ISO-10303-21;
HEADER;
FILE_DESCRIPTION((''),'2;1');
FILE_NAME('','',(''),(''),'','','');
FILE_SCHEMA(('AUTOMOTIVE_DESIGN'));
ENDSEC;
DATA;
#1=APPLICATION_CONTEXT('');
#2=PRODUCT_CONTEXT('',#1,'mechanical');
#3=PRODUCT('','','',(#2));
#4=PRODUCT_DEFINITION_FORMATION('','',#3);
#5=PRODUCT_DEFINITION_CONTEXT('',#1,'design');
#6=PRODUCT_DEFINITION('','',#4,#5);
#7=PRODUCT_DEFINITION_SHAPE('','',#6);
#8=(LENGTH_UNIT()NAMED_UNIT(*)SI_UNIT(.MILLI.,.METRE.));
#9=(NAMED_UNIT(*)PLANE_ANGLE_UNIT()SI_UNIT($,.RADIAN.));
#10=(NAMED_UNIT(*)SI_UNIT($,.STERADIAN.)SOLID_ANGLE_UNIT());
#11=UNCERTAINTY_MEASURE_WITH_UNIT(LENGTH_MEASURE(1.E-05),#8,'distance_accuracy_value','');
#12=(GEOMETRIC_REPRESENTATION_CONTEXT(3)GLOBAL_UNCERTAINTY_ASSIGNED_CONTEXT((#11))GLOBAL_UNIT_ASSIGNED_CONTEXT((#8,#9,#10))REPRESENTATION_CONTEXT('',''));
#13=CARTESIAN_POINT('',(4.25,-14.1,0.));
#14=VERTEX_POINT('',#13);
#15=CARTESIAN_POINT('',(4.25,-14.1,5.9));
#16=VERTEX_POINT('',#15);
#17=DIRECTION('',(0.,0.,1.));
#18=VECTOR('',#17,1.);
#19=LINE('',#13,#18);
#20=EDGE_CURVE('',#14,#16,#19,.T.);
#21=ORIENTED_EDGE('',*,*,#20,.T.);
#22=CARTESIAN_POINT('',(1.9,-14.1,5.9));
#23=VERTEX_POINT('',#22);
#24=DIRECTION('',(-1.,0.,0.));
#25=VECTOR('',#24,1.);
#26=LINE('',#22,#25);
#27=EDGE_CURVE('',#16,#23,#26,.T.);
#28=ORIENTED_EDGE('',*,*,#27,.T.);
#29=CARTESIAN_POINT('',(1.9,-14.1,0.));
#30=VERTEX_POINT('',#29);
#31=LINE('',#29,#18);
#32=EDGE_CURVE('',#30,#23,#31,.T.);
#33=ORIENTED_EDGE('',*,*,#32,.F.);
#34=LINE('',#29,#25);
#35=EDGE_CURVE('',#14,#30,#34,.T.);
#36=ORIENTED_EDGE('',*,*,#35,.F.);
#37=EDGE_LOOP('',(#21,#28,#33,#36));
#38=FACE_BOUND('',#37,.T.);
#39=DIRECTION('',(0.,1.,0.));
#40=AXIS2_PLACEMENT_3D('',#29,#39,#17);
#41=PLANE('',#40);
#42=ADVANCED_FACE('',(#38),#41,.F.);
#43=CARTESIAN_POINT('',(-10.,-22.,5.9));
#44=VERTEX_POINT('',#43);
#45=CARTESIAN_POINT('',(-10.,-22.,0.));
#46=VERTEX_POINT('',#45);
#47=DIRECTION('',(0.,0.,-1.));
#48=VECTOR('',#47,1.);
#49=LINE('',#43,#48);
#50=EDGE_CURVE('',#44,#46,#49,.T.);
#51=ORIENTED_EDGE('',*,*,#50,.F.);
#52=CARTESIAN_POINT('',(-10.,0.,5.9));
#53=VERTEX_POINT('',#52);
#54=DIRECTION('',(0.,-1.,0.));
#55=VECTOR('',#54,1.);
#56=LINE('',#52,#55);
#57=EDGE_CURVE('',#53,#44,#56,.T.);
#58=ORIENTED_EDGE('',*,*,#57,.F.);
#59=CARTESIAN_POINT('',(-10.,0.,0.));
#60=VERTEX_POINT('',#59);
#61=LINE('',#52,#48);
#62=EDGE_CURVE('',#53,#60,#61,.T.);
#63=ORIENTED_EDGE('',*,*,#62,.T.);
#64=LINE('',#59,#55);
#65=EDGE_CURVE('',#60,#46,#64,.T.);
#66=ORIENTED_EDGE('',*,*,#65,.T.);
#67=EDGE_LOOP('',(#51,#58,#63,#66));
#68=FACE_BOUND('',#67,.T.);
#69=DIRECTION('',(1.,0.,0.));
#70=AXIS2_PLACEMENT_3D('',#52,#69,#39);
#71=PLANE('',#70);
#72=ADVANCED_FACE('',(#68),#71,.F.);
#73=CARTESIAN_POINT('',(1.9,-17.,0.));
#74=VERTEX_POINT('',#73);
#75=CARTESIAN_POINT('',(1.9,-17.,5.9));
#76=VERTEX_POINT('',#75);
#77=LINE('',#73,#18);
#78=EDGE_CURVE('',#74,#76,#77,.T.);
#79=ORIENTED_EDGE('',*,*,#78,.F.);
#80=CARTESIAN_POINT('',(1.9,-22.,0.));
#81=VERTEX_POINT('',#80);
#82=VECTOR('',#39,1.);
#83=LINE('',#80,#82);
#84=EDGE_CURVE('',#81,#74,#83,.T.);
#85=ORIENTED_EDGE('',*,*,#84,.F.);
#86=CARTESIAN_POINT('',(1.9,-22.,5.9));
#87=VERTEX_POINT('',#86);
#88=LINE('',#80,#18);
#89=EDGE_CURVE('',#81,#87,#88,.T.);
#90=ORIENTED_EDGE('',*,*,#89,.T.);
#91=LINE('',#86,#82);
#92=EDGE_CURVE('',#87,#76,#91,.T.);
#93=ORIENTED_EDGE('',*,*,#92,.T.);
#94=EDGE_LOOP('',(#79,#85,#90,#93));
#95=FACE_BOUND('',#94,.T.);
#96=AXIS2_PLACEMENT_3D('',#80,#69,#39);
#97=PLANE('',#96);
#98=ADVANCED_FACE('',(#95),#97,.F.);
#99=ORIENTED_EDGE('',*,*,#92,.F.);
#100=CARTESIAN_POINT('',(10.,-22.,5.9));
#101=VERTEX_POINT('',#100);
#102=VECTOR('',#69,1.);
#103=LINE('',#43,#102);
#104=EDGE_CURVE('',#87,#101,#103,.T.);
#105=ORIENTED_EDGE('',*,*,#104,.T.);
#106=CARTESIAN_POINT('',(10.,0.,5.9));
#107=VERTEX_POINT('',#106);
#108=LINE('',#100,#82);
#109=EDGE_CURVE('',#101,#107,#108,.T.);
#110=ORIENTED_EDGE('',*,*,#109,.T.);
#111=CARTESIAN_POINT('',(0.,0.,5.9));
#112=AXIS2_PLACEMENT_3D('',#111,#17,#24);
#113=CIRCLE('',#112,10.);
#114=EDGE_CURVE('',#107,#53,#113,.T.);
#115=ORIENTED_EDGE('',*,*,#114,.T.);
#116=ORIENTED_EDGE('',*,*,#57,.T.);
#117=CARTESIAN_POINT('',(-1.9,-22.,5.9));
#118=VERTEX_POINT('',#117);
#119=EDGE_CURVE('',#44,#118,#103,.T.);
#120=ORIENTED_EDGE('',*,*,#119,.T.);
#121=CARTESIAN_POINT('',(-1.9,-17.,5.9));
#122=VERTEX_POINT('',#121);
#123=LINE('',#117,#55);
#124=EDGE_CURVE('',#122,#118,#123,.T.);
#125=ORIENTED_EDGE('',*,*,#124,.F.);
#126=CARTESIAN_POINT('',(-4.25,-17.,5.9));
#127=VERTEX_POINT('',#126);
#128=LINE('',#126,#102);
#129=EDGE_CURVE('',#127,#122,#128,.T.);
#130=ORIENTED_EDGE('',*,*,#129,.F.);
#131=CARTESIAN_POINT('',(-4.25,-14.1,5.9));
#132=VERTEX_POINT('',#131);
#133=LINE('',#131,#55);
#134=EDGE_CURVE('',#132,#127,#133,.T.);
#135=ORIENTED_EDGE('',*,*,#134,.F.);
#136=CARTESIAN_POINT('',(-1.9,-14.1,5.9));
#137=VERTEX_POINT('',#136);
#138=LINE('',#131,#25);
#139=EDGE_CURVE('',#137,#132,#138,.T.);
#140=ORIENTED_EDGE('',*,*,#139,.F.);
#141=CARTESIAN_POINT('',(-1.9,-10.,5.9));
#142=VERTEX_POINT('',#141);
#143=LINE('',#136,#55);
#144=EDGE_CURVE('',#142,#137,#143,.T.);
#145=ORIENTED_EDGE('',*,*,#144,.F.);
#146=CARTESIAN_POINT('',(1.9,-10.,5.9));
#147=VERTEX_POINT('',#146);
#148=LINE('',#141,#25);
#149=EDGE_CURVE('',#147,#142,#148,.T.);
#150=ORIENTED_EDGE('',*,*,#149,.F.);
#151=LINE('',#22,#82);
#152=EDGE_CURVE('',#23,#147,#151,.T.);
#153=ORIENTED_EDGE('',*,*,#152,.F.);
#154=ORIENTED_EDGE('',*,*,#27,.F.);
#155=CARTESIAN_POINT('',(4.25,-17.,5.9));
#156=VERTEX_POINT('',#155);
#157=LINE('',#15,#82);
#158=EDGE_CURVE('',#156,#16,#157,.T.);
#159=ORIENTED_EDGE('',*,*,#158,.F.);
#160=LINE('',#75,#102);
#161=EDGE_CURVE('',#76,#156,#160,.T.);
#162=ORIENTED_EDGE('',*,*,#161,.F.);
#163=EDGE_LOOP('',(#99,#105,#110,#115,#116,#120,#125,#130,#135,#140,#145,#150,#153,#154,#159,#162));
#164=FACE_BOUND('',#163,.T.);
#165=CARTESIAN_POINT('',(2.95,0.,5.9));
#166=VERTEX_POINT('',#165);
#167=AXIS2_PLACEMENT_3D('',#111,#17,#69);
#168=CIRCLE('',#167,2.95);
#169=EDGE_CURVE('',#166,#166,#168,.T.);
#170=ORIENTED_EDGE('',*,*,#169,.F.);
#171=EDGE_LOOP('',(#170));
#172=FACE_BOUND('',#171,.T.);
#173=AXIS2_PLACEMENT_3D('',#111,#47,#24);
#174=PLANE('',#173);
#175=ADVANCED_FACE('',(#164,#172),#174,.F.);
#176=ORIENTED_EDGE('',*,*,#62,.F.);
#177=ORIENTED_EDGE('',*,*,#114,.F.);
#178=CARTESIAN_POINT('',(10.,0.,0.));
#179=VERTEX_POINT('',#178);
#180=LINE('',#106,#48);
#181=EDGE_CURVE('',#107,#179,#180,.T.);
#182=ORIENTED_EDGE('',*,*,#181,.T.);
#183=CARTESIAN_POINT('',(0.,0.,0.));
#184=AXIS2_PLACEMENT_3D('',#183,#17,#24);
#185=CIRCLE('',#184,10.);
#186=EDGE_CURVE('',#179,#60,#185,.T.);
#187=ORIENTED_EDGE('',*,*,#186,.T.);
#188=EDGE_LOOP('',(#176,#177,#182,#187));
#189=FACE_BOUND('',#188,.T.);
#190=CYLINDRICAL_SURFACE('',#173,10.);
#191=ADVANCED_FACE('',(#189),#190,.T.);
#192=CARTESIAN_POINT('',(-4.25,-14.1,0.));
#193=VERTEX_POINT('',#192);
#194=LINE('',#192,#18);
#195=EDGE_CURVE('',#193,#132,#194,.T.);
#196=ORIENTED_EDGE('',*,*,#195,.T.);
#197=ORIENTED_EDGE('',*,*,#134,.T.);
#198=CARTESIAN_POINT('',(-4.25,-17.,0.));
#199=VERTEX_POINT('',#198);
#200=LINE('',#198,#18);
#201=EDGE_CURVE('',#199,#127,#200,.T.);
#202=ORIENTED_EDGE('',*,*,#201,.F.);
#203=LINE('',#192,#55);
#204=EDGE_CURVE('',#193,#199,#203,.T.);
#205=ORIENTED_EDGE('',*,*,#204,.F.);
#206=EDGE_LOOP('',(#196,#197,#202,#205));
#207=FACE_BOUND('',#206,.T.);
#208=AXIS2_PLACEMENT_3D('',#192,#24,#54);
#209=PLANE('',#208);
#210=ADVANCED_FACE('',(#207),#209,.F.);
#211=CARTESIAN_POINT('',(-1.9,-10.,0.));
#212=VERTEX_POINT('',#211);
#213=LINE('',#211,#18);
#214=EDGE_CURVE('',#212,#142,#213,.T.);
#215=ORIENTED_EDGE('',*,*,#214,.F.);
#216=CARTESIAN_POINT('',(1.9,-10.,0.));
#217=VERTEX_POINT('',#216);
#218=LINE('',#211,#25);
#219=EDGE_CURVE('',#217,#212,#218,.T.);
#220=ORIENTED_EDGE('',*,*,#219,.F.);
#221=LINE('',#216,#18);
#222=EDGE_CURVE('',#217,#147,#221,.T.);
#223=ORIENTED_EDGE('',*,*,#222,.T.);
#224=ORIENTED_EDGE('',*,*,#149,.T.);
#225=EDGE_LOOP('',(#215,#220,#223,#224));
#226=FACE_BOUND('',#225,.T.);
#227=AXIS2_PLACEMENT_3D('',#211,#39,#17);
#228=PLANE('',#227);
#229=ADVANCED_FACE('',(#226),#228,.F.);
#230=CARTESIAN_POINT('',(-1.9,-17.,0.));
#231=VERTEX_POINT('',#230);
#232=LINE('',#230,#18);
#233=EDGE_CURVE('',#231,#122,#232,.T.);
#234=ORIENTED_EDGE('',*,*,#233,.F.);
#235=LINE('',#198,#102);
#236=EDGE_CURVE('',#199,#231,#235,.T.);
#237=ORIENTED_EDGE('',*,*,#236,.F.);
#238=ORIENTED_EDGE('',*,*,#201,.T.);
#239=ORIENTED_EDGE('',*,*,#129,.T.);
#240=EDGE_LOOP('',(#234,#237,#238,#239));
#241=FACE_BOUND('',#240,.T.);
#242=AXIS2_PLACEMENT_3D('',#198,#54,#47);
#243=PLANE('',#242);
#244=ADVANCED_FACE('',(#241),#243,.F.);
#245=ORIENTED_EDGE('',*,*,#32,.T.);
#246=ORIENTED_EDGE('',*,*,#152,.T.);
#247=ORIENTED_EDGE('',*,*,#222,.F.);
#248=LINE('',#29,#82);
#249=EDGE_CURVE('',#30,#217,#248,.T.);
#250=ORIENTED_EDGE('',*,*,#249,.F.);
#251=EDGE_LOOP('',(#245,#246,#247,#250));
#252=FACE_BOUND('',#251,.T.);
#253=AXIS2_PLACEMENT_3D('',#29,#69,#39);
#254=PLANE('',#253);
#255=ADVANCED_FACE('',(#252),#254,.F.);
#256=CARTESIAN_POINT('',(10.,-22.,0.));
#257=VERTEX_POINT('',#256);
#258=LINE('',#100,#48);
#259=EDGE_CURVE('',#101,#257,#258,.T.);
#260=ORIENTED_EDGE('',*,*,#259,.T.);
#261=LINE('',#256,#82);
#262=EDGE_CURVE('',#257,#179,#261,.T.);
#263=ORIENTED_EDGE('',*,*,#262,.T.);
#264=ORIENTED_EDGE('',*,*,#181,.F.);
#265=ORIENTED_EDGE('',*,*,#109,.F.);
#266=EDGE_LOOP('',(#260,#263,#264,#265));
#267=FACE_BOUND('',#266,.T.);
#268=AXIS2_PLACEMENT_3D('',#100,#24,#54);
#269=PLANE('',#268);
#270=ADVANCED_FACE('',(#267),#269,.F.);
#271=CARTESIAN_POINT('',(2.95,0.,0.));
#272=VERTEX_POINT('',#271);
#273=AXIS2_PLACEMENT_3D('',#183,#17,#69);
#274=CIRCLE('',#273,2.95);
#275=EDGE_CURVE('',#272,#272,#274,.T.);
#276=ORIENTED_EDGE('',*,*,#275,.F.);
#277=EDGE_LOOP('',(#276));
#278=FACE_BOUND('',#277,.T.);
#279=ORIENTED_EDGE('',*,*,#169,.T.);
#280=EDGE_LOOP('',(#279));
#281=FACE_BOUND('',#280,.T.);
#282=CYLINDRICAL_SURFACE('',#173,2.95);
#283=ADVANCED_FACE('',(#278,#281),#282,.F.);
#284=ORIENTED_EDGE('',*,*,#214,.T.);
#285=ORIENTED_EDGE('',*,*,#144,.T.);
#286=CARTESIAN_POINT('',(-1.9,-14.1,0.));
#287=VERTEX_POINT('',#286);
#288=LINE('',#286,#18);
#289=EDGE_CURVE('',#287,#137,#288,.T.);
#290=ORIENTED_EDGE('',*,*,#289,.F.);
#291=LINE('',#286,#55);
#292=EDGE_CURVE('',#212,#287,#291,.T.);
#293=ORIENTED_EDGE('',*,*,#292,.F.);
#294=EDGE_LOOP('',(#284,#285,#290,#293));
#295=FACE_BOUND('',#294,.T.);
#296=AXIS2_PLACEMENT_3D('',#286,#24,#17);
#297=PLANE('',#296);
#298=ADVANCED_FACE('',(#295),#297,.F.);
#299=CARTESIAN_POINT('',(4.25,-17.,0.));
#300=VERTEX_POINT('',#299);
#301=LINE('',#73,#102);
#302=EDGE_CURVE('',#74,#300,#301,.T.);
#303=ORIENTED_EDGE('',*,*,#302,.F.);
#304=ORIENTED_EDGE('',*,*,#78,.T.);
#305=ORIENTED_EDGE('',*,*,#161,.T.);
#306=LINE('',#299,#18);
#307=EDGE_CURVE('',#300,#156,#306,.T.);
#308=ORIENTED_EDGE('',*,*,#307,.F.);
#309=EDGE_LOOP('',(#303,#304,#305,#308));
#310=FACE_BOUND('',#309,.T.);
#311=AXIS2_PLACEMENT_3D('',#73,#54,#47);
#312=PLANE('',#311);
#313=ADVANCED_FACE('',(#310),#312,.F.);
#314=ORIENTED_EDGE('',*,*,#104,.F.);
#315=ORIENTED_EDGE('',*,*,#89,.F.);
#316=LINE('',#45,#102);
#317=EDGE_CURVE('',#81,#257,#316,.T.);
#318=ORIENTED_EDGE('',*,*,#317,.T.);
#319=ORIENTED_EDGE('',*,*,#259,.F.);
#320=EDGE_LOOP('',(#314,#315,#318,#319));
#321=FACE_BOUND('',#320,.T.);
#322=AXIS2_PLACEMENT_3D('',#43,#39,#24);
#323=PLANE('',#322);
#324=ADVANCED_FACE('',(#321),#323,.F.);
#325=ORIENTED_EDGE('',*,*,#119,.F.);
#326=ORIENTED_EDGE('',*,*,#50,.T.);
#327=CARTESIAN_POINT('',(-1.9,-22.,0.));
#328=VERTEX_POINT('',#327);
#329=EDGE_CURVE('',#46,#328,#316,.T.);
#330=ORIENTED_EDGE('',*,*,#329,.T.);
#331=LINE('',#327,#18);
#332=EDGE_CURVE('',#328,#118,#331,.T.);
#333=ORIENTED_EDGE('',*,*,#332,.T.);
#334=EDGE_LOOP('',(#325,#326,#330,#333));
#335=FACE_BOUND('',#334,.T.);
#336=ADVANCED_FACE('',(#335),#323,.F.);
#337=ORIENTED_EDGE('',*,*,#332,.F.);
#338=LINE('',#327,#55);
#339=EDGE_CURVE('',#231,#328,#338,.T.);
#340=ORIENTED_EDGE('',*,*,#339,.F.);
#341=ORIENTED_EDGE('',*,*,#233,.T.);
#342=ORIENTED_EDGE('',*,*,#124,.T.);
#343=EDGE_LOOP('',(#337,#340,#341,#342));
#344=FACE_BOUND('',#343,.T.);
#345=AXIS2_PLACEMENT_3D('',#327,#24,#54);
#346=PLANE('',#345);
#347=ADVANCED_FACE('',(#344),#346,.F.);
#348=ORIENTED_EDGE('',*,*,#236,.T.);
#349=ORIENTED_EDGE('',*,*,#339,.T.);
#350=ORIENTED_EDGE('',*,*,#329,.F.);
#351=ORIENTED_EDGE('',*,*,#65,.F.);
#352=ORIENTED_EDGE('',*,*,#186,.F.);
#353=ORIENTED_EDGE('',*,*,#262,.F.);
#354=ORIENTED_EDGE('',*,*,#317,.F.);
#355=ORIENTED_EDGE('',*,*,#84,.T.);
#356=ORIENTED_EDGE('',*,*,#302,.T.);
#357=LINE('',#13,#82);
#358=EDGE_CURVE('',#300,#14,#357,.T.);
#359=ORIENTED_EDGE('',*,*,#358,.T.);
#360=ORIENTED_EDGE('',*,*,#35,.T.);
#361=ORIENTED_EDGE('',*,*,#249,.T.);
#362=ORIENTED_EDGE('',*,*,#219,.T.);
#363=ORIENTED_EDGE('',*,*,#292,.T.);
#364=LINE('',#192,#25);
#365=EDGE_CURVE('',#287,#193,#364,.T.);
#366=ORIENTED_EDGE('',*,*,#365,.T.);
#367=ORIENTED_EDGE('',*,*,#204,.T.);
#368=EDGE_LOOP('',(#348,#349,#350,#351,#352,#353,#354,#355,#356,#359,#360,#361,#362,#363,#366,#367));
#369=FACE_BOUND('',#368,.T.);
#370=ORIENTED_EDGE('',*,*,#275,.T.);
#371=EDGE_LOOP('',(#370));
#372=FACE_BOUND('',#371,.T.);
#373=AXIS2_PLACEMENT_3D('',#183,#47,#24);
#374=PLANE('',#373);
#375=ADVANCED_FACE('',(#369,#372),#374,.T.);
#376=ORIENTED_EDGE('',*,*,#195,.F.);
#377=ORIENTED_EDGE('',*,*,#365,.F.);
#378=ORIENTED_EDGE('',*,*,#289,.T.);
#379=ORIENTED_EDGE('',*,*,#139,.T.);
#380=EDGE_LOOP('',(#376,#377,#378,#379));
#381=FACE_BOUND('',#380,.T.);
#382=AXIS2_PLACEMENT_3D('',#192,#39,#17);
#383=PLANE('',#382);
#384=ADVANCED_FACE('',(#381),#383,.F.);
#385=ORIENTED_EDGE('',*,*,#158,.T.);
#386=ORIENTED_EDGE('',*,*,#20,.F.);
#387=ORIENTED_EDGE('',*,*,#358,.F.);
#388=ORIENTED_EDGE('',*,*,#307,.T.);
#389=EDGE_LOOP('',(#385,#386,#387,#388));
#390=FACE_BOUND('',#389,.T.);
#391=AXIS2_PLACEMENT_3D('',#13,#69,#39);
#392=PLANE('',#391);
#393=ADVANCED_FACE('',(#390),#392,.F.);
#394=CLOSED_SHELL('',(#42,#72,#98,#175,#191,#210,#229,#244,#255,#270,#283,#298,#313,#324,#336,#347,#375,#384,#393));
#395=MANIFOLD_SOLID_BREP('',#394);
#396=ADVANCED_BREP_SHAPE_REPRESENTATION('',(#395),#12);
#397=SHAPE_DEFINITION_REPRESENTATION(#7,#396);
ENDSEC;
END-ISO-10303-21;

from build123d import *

# Parameters (mm, degrees)
SKETCH1_R           = 2.95
BOSS_EXTRUDE1_DEPTH = 5.9
CUT_EXTRUDE2_DEPTH  = 25.875891944


with BuildPart() as part:
    # Sketch1 → Boss-Extrude1 (new body)
    with BuildSketch(Plane.XY):
        with BuildLine():
            Line((-10, 0), (-10, -22))
            Line((-10, -22), (10, -22))
            Line((10, -22), (10, 0))
            ThreePointArc((10, 0), (0, 10), (-10, 0))
        make_face()
        Circle(SKETCH1_R, mode=Mode.SUBTRACT)
    extrude(amount=BOSS_EXTRUDE1_DEPTH)

    # Sketch3 → Cut-Extrude2 (cut, through all)
    with BuildSketch(Plane.XY.offset(5.9)):
        Polygon((-1.9, -22), (1.9, -22), (1.9, -17), (4.25, -17), (4.25, -14.1), (1.9, -14.1), (1.9, -10), (-1.9, -10), (-1.9, -14.1), (-4.25, -14.1), (-4.25, -17), (-1.9, -17), align=None)
    extrude(amount=-CUT_EXTRUDE2_DEPTH, mode=Mode.SUBTRACT)


solid = part.part
